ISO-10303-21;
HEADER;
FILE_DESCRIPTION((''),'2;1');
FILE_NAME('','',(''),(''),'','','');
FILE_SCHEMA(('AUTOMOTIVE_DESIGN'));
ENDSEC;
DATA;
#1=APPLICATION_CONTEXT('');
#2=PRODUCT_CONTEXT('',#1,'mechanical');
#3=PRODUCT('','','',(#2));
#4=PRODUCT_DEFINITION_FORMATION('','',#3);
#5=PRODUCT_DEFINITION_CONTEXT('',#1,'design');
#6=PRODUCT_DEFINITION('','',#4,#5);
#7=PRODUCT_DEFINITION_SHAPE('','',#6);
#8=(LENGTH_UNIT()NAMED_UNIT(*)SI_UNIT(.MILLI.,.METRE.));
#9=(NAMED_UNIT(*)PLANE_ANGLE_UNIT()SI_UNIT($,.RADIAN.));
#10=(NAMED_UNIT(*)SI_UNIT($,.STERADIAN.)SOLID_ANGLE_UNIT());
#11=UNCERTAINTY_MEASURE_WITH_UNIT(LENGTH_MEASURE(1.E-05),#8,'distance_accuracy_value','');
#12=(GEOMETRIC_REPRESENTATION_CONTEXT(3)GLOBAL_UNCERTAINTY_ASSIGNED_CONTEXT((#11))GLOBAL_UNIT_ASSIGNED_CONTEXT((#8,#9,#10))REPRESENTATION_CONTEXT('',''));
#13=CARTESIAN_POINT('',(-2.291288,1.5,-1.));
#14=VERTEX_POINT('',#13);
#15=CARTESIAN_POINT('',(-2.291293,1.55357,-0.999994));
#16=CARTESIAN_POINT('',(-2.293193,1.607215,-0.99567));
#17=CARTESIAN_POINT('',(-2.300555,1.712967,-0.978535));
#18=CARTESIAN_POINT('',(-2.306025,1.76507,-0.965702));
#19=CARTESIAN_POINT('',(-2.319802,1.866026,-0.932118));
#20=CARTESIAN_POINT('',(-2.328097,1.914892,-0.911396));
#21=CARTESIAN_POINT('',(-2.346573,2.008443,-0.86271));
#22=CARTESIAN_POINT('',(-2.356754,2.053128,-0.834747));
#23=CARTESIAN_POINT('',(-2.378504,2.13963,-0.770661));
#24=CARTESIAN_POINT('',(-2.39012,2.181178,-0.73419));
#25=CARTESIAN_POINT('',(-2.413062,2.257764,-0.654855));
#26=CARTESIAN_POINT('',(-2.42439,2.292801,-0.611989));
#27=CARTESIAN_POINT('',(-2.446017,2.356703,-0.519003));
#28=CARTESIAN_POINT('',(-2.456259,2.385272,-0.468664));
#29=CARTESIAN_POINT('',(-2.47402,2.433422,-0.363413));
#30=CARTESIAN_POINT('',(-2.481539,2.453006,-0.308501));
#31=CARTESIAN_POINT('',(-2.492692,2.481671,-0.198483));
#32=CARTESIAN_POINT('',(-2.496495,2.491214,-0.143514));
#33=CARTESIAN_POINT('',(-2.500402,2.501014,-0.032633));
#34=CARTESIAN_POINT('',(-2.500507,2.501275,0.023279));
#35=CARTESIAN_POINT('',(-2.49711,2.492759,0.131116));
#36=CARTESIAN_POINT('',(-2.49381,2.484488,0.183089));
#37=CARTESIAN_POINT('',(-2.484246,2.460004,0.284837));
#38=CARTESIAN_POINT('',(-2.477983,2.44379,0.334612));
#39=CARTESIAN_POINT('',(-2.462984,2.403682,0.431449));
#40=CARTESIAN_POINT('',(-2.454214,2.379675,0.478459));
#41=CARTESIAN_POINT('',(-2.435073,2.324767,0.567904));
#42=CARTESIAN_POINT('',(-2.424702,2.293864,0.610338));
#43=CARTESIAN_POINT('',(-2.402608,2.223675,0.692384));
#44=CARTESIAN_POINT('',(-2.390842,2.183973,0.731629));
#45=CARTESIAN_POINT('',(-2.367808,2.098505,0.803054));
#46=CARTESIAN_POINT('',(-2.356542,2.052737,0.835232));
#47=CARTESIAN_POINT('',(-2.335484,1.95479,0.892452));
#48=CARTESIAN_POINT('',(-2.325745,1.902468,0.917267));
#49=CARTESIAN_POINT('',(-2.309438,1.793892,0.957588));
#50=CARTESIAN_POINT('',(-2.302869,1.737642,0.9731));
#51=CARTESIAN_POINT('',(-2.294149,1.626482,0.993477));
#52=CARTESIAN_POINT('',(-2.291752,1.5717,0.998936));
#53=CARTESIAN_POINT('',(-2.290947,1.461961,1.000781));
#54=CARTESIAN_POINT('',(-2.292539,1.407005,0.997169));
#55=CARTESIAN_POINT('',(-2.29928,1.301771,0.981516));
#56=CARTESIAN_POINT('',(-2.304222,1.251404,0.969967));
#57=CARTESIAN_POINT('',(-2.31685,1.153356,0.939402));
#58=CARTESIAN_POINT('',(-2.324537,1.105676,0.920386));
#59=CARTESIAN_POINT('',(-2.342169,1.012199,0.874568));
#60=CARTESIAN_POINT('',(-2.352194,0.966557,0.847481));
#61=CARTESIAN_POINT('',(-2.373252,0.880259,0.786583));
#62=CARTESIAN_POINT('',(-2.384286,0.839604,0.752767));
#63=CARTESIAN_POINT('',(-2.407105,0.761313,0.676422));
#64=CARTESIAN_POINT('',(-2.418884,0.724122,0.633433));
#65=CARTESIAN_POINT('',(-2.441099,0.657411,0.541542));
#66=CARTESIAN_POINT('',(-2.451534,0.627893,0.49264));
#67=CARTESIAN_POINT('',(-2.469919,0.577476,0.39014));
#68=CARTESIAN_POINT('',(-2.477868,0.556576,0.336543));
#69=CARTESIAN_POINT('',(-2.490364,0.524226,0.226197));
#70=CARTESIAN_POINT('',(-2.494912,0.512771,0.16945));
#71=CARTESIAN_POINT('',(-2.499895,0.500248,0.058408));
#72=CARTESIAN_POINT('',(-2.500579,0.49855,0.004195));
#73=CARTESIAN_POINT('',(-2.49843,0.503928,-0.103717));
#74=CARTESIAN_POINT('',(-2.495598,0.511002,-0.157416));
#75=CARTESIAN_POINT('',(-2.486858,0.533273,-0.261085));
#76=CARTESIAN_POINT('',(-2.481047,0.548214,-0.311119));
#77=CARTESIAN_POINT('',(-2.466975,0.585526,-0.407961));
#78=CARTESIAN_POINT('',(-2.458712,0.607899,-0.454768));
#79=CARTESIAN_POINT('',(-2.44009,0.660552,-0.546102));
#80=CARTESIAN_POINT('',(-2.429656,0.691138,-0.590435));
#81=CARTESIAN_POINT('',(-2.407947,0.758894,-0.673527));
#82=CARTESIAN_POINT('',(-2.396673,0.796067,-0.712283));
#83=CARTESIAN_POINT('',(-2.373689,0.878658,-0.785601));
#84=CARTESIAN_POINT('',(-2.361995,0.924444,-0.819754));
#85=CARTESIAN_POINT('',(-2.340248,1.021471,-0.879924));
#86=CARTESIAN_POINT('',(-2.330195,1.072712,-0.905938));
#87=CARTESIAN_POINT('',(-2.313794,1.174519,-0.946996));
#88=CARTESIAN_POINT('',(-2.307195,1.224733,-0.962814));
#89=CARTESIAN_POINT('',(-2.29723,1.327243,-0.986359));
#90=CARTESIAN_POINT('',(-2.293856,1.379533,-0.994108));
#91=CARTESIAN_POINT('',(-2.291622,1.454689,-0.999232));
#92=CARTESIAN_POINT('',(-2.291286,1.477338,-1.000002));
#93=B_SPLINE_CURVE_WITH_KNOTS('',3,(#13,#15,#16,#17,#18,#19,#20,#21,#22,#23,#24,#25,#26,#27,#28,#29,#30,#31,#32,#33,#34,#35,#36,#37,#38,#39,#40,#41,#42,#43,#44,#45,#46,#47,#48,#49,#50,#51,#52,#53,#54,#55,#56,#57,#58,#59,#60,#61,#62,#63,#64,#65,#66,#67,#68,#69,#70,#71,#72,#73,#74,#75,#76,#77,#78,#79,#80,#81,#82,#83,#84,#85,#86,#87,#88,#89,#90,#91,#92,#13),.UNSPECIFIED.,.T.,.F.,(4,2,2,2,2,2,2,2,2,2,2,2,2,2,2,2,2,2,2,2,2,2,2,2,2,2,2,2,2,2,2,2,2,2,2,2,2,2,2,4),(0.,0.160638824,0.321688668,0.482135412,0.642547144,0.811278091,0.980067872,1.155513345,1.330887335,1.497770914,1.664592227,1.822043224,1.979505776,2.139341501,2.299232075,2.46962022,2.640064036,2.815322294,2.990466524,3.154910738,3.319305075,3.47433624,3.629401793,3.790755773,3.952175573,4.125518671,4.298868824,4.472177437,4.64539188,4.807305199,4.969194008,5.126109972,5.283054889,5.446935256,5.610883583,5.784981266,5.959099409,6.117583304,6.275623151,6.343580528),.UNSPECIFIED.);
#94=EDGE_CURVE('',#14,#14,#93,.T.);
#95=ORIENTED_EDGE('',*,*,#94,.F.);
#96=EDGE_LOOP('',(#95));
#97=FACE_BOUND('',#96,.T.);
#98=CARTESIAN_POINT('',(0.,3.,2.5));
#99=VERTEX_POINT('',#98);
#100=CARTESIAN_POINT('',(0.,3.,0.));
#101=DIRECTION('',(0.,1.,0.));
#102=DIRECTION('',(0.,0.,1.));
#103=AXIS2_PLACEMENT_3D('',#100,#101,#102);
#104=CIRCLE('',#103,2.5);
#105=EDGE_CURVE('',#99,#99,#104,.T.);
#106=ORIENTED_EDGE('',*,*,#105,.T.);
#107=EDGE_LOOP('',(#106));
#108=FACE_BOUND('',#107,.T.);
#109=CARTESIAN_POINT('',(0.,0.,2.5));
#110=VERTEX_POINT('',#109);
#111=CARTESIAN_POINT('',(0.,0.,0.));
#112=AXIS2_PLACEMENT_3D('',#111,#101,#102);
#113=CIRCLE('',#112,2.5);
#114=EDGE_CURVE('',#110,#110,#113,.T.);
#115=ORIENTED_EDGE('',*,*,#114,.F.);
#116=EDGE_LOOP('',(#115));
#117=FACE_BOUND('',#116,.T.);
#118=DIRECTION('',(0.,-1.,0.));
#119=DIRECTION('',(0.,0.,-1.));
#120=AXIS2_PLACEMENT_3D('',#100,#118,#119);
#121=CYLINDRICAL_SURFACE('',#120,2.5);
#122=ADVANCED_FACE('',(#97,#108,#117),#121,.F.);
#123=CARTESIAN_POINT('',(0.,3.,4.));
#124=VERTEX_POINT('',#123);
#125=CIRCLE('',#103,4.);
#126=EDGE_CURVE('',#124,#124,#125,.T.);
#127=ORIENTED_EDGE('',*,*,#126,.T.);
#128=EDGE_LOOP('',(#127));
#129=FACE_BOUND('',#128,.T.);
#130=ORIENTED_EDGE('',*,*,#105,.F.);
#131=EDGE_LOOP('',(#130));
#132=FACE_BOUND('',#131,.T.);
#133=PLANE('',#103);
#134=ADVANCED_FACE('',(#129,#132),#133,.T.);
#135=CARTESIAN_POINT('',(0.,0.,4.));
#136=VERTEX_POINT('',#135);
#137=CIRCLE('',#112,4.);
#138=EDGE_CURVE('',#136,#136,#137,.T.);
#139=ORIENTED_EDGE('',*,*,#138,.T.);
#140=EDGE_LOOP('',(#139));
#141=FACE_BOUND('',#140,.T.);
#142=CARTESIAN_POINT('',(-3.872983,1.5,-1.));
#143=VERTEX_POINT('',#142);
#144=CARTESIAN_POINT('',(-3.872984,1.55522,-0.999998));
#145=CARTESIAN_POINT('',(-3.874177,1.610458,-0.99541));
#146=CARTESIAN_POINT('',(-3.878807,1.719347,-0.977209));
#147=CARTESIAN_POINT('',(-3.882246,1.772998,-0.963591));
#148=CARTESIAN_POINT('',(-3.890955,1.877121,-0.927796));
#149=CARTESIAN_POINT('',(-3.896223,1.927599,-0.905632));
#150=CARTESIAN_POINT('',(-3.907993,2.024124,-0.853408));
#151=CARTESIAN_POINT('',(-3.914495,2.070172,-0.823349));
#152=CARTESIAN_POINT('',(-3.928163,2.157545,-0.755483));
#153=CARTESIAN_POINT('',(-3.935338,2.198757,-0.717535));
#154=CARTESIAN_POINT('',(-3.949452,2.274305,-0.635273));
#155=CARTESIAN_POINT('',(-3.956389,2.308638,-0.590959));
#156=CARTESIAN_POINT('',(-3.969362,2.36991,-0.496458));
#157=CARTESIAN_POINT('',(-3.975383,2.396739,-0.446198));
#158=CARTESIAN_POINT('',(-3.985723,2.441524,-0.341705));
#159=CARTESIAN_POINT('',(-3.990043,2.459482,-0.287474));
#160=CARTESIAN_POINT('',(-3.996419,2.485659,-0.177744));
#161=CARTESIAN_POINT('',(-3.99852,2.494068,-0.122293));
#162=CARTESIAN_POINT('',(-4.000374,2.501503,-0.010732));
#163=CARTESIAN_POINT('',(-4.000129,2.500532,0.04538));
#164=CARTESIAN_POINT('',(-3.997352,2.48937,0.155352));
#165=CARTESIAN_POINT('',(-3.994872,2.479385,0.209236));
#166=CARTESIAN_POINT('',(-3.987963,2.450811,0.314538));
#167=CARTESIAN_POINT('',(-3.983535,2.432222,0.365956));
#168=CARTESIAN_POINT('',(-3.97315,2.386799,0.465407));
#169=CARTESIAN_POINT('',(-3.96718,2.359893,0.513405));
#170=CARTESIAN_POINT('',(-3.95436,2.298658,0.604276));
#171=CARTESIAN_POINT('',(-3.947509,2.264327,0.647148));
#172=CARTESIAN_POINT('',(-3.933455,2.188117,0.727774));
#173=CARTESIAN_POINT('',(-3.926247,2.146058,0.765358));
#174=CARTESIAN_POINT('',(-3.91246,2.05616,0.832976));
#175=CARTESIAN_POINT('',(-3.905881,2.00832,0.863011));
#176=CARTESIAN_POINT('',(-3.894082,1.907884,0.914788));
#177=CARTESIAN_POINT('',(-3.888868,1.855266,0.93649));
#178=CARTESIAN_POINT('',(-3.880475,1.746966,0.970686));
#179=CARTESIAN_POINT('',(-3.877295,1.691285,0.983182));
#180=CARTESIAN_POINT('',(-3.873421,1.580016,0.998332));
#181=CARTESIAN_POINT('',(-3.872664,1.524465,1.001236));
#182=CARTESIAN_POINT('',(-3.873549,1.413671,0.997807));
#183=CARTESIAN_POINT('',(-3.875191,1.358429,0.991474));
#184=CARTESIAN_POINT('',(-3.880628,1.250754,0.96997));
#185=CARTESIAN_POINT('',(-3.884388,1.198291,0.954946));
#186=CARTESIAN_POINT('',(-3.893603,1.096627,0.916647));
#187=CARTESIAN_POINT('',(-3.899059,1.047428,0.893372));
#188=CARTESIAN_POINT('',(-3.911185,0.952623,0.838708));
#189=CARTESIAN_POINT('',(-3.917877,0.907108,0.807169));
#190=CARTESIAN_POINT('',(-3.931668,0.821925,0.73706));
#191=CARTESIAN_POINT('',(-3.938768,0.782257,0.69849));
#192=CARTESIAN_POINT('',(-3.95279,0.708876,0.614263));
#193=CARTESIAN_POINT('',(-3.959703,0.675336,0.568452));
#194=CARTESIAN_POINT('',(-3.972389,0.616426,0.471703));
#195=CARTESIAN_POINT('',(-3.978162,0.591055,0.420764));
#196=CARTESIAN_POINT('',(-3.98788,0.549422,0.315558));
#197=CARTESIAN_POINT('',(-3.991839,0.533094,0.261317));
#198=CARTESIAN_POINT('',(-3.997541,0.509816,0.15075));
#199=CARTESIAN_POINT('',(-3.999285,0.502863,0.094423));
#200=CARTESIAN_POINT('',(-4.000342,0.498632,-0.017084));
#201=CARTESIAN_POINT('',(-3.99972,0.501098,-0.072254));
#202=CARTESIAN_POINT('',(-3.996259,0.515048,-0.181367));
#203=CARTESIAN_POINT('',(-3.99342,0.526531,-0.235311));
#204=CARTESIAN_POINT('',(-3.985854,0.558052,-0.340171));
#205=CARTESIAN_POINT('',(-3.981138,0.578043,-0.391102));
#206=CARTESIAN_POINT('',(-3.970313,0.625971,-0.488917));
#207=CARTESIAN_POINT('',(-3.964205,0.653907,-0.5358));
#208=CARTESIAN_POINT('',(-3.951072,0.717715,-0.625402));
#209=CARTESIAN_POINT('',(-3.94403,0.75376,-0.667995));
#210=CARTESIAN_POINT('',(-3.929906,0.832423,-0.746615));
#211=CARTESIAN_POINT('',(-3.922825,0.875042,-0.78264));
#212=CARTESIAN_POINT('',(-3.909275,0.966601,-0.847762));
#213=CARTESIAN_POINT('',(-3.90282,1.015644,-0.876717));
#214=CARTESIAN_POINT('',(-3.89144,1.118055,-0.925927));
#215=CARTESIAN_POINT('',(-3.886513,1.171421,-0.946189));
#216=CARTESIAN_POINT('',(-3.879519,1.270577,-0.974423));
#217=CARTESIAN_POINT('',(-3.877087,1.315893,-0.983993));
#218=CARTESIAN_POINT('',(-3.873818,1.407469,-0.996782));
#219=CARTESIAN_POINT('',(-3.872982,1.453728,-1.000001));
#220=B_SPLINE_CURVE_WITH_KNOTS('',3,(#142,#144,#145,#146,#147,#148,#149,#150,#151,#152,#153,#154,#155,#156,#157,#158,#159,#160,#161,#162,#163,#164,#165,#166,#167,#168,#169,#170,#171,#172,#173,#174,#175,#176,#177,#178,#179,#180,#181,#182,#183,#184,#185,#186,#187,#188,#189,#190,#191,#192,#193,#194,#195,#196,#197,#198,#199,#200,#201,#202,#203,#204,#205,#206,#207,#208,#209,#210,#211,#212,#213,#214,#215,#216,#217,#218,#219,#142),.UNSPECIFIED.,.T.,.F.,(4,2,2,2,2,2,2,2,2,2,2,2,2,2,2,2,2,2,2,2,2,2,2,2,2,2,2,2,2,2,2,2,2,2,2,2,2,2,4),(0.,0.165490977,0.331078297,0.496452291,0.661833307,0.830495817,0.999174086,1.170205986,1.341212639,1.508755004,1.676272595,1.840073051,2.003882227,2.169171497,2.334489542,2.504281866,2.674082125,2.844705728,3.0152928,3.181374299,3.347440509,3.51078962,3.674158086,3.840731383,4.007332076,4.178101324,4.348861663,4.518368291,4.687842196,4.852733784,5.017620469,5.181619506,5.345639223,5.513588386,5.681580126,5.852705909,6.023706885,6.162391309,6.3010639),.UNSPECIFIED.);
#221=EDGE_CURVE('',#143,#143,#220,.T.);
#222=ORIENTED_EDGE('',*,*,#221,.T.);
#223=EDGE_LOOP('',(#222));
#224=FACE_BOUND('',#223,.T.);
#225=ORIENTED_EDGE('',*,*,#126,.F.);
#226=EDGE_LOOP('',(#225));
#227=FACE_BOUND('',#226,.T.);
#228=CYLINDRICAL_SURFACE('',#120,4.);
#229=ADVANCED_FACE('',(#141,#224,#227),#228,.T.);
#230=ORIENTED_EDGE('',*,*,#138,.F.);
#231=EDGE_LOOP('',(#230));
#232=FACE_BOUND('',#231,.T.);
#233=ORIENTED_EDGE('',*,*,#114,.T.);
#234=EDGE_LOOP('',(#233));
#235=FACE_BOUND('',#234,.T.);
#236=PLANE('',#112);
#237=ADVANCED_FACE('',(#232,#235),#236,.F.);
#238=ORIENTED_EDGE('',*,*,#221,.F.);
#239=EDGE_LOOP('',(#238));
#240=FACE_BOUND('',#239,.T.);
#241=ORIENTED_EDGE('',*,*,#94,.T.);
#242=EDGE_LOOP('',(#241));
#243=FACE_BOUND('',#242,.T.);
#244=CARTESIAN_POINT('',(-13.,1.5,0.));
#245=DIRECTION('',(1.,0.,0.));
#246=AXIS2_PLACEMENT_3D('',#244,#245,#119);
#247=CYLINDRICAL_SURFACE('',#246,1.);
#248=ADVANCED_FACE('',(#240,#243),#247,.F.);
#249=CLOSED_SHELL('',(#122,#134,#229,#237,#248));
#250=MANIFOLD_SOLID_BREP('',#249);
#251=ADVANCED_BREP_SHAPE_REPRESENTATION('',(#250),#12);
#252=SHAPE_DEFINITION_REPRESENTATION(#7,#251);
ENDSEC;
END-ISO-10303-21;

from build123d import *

# Parameters (mm, degrees)
SKETCH1_R           = 4
SKETCH1_R_2         = 2.5
BOSS_EXTRUDE1_DEPTH = 3
SKETCH2_R           = 1
CUT_EXTRUDE1_DEPTH  = 13


with BuildPart() as part:
    # Sketch1 → Boss-Extrude1 (new body)
    with BuildSketch(Plane(origin=(0, 0, 0), x_dir=(1, 0, 0), z_dir=(0, 1, 0))):
        Circle(SKETCH1_R)
        Circle(SKETCH1_R_2, mode=Mode.SUBTRACT)
    extrude(amount=BOSS_EXTRUDE1_DEPTH)

    # Sketch2 → Cut-Extrude1 (cut)
    with BuildSketch(Plane(origin=(0, 0, 0), x_dir=(0, 0, -1), z_dir=(1, 0, 0))):
        with Locations((0, 1.5)):
            Circle(SKETCH2_R)
    extrude(amount=-CUT_EXTRUDE1_DEPTH, mode=Mode.SUBTRACT)


solid = part.part
